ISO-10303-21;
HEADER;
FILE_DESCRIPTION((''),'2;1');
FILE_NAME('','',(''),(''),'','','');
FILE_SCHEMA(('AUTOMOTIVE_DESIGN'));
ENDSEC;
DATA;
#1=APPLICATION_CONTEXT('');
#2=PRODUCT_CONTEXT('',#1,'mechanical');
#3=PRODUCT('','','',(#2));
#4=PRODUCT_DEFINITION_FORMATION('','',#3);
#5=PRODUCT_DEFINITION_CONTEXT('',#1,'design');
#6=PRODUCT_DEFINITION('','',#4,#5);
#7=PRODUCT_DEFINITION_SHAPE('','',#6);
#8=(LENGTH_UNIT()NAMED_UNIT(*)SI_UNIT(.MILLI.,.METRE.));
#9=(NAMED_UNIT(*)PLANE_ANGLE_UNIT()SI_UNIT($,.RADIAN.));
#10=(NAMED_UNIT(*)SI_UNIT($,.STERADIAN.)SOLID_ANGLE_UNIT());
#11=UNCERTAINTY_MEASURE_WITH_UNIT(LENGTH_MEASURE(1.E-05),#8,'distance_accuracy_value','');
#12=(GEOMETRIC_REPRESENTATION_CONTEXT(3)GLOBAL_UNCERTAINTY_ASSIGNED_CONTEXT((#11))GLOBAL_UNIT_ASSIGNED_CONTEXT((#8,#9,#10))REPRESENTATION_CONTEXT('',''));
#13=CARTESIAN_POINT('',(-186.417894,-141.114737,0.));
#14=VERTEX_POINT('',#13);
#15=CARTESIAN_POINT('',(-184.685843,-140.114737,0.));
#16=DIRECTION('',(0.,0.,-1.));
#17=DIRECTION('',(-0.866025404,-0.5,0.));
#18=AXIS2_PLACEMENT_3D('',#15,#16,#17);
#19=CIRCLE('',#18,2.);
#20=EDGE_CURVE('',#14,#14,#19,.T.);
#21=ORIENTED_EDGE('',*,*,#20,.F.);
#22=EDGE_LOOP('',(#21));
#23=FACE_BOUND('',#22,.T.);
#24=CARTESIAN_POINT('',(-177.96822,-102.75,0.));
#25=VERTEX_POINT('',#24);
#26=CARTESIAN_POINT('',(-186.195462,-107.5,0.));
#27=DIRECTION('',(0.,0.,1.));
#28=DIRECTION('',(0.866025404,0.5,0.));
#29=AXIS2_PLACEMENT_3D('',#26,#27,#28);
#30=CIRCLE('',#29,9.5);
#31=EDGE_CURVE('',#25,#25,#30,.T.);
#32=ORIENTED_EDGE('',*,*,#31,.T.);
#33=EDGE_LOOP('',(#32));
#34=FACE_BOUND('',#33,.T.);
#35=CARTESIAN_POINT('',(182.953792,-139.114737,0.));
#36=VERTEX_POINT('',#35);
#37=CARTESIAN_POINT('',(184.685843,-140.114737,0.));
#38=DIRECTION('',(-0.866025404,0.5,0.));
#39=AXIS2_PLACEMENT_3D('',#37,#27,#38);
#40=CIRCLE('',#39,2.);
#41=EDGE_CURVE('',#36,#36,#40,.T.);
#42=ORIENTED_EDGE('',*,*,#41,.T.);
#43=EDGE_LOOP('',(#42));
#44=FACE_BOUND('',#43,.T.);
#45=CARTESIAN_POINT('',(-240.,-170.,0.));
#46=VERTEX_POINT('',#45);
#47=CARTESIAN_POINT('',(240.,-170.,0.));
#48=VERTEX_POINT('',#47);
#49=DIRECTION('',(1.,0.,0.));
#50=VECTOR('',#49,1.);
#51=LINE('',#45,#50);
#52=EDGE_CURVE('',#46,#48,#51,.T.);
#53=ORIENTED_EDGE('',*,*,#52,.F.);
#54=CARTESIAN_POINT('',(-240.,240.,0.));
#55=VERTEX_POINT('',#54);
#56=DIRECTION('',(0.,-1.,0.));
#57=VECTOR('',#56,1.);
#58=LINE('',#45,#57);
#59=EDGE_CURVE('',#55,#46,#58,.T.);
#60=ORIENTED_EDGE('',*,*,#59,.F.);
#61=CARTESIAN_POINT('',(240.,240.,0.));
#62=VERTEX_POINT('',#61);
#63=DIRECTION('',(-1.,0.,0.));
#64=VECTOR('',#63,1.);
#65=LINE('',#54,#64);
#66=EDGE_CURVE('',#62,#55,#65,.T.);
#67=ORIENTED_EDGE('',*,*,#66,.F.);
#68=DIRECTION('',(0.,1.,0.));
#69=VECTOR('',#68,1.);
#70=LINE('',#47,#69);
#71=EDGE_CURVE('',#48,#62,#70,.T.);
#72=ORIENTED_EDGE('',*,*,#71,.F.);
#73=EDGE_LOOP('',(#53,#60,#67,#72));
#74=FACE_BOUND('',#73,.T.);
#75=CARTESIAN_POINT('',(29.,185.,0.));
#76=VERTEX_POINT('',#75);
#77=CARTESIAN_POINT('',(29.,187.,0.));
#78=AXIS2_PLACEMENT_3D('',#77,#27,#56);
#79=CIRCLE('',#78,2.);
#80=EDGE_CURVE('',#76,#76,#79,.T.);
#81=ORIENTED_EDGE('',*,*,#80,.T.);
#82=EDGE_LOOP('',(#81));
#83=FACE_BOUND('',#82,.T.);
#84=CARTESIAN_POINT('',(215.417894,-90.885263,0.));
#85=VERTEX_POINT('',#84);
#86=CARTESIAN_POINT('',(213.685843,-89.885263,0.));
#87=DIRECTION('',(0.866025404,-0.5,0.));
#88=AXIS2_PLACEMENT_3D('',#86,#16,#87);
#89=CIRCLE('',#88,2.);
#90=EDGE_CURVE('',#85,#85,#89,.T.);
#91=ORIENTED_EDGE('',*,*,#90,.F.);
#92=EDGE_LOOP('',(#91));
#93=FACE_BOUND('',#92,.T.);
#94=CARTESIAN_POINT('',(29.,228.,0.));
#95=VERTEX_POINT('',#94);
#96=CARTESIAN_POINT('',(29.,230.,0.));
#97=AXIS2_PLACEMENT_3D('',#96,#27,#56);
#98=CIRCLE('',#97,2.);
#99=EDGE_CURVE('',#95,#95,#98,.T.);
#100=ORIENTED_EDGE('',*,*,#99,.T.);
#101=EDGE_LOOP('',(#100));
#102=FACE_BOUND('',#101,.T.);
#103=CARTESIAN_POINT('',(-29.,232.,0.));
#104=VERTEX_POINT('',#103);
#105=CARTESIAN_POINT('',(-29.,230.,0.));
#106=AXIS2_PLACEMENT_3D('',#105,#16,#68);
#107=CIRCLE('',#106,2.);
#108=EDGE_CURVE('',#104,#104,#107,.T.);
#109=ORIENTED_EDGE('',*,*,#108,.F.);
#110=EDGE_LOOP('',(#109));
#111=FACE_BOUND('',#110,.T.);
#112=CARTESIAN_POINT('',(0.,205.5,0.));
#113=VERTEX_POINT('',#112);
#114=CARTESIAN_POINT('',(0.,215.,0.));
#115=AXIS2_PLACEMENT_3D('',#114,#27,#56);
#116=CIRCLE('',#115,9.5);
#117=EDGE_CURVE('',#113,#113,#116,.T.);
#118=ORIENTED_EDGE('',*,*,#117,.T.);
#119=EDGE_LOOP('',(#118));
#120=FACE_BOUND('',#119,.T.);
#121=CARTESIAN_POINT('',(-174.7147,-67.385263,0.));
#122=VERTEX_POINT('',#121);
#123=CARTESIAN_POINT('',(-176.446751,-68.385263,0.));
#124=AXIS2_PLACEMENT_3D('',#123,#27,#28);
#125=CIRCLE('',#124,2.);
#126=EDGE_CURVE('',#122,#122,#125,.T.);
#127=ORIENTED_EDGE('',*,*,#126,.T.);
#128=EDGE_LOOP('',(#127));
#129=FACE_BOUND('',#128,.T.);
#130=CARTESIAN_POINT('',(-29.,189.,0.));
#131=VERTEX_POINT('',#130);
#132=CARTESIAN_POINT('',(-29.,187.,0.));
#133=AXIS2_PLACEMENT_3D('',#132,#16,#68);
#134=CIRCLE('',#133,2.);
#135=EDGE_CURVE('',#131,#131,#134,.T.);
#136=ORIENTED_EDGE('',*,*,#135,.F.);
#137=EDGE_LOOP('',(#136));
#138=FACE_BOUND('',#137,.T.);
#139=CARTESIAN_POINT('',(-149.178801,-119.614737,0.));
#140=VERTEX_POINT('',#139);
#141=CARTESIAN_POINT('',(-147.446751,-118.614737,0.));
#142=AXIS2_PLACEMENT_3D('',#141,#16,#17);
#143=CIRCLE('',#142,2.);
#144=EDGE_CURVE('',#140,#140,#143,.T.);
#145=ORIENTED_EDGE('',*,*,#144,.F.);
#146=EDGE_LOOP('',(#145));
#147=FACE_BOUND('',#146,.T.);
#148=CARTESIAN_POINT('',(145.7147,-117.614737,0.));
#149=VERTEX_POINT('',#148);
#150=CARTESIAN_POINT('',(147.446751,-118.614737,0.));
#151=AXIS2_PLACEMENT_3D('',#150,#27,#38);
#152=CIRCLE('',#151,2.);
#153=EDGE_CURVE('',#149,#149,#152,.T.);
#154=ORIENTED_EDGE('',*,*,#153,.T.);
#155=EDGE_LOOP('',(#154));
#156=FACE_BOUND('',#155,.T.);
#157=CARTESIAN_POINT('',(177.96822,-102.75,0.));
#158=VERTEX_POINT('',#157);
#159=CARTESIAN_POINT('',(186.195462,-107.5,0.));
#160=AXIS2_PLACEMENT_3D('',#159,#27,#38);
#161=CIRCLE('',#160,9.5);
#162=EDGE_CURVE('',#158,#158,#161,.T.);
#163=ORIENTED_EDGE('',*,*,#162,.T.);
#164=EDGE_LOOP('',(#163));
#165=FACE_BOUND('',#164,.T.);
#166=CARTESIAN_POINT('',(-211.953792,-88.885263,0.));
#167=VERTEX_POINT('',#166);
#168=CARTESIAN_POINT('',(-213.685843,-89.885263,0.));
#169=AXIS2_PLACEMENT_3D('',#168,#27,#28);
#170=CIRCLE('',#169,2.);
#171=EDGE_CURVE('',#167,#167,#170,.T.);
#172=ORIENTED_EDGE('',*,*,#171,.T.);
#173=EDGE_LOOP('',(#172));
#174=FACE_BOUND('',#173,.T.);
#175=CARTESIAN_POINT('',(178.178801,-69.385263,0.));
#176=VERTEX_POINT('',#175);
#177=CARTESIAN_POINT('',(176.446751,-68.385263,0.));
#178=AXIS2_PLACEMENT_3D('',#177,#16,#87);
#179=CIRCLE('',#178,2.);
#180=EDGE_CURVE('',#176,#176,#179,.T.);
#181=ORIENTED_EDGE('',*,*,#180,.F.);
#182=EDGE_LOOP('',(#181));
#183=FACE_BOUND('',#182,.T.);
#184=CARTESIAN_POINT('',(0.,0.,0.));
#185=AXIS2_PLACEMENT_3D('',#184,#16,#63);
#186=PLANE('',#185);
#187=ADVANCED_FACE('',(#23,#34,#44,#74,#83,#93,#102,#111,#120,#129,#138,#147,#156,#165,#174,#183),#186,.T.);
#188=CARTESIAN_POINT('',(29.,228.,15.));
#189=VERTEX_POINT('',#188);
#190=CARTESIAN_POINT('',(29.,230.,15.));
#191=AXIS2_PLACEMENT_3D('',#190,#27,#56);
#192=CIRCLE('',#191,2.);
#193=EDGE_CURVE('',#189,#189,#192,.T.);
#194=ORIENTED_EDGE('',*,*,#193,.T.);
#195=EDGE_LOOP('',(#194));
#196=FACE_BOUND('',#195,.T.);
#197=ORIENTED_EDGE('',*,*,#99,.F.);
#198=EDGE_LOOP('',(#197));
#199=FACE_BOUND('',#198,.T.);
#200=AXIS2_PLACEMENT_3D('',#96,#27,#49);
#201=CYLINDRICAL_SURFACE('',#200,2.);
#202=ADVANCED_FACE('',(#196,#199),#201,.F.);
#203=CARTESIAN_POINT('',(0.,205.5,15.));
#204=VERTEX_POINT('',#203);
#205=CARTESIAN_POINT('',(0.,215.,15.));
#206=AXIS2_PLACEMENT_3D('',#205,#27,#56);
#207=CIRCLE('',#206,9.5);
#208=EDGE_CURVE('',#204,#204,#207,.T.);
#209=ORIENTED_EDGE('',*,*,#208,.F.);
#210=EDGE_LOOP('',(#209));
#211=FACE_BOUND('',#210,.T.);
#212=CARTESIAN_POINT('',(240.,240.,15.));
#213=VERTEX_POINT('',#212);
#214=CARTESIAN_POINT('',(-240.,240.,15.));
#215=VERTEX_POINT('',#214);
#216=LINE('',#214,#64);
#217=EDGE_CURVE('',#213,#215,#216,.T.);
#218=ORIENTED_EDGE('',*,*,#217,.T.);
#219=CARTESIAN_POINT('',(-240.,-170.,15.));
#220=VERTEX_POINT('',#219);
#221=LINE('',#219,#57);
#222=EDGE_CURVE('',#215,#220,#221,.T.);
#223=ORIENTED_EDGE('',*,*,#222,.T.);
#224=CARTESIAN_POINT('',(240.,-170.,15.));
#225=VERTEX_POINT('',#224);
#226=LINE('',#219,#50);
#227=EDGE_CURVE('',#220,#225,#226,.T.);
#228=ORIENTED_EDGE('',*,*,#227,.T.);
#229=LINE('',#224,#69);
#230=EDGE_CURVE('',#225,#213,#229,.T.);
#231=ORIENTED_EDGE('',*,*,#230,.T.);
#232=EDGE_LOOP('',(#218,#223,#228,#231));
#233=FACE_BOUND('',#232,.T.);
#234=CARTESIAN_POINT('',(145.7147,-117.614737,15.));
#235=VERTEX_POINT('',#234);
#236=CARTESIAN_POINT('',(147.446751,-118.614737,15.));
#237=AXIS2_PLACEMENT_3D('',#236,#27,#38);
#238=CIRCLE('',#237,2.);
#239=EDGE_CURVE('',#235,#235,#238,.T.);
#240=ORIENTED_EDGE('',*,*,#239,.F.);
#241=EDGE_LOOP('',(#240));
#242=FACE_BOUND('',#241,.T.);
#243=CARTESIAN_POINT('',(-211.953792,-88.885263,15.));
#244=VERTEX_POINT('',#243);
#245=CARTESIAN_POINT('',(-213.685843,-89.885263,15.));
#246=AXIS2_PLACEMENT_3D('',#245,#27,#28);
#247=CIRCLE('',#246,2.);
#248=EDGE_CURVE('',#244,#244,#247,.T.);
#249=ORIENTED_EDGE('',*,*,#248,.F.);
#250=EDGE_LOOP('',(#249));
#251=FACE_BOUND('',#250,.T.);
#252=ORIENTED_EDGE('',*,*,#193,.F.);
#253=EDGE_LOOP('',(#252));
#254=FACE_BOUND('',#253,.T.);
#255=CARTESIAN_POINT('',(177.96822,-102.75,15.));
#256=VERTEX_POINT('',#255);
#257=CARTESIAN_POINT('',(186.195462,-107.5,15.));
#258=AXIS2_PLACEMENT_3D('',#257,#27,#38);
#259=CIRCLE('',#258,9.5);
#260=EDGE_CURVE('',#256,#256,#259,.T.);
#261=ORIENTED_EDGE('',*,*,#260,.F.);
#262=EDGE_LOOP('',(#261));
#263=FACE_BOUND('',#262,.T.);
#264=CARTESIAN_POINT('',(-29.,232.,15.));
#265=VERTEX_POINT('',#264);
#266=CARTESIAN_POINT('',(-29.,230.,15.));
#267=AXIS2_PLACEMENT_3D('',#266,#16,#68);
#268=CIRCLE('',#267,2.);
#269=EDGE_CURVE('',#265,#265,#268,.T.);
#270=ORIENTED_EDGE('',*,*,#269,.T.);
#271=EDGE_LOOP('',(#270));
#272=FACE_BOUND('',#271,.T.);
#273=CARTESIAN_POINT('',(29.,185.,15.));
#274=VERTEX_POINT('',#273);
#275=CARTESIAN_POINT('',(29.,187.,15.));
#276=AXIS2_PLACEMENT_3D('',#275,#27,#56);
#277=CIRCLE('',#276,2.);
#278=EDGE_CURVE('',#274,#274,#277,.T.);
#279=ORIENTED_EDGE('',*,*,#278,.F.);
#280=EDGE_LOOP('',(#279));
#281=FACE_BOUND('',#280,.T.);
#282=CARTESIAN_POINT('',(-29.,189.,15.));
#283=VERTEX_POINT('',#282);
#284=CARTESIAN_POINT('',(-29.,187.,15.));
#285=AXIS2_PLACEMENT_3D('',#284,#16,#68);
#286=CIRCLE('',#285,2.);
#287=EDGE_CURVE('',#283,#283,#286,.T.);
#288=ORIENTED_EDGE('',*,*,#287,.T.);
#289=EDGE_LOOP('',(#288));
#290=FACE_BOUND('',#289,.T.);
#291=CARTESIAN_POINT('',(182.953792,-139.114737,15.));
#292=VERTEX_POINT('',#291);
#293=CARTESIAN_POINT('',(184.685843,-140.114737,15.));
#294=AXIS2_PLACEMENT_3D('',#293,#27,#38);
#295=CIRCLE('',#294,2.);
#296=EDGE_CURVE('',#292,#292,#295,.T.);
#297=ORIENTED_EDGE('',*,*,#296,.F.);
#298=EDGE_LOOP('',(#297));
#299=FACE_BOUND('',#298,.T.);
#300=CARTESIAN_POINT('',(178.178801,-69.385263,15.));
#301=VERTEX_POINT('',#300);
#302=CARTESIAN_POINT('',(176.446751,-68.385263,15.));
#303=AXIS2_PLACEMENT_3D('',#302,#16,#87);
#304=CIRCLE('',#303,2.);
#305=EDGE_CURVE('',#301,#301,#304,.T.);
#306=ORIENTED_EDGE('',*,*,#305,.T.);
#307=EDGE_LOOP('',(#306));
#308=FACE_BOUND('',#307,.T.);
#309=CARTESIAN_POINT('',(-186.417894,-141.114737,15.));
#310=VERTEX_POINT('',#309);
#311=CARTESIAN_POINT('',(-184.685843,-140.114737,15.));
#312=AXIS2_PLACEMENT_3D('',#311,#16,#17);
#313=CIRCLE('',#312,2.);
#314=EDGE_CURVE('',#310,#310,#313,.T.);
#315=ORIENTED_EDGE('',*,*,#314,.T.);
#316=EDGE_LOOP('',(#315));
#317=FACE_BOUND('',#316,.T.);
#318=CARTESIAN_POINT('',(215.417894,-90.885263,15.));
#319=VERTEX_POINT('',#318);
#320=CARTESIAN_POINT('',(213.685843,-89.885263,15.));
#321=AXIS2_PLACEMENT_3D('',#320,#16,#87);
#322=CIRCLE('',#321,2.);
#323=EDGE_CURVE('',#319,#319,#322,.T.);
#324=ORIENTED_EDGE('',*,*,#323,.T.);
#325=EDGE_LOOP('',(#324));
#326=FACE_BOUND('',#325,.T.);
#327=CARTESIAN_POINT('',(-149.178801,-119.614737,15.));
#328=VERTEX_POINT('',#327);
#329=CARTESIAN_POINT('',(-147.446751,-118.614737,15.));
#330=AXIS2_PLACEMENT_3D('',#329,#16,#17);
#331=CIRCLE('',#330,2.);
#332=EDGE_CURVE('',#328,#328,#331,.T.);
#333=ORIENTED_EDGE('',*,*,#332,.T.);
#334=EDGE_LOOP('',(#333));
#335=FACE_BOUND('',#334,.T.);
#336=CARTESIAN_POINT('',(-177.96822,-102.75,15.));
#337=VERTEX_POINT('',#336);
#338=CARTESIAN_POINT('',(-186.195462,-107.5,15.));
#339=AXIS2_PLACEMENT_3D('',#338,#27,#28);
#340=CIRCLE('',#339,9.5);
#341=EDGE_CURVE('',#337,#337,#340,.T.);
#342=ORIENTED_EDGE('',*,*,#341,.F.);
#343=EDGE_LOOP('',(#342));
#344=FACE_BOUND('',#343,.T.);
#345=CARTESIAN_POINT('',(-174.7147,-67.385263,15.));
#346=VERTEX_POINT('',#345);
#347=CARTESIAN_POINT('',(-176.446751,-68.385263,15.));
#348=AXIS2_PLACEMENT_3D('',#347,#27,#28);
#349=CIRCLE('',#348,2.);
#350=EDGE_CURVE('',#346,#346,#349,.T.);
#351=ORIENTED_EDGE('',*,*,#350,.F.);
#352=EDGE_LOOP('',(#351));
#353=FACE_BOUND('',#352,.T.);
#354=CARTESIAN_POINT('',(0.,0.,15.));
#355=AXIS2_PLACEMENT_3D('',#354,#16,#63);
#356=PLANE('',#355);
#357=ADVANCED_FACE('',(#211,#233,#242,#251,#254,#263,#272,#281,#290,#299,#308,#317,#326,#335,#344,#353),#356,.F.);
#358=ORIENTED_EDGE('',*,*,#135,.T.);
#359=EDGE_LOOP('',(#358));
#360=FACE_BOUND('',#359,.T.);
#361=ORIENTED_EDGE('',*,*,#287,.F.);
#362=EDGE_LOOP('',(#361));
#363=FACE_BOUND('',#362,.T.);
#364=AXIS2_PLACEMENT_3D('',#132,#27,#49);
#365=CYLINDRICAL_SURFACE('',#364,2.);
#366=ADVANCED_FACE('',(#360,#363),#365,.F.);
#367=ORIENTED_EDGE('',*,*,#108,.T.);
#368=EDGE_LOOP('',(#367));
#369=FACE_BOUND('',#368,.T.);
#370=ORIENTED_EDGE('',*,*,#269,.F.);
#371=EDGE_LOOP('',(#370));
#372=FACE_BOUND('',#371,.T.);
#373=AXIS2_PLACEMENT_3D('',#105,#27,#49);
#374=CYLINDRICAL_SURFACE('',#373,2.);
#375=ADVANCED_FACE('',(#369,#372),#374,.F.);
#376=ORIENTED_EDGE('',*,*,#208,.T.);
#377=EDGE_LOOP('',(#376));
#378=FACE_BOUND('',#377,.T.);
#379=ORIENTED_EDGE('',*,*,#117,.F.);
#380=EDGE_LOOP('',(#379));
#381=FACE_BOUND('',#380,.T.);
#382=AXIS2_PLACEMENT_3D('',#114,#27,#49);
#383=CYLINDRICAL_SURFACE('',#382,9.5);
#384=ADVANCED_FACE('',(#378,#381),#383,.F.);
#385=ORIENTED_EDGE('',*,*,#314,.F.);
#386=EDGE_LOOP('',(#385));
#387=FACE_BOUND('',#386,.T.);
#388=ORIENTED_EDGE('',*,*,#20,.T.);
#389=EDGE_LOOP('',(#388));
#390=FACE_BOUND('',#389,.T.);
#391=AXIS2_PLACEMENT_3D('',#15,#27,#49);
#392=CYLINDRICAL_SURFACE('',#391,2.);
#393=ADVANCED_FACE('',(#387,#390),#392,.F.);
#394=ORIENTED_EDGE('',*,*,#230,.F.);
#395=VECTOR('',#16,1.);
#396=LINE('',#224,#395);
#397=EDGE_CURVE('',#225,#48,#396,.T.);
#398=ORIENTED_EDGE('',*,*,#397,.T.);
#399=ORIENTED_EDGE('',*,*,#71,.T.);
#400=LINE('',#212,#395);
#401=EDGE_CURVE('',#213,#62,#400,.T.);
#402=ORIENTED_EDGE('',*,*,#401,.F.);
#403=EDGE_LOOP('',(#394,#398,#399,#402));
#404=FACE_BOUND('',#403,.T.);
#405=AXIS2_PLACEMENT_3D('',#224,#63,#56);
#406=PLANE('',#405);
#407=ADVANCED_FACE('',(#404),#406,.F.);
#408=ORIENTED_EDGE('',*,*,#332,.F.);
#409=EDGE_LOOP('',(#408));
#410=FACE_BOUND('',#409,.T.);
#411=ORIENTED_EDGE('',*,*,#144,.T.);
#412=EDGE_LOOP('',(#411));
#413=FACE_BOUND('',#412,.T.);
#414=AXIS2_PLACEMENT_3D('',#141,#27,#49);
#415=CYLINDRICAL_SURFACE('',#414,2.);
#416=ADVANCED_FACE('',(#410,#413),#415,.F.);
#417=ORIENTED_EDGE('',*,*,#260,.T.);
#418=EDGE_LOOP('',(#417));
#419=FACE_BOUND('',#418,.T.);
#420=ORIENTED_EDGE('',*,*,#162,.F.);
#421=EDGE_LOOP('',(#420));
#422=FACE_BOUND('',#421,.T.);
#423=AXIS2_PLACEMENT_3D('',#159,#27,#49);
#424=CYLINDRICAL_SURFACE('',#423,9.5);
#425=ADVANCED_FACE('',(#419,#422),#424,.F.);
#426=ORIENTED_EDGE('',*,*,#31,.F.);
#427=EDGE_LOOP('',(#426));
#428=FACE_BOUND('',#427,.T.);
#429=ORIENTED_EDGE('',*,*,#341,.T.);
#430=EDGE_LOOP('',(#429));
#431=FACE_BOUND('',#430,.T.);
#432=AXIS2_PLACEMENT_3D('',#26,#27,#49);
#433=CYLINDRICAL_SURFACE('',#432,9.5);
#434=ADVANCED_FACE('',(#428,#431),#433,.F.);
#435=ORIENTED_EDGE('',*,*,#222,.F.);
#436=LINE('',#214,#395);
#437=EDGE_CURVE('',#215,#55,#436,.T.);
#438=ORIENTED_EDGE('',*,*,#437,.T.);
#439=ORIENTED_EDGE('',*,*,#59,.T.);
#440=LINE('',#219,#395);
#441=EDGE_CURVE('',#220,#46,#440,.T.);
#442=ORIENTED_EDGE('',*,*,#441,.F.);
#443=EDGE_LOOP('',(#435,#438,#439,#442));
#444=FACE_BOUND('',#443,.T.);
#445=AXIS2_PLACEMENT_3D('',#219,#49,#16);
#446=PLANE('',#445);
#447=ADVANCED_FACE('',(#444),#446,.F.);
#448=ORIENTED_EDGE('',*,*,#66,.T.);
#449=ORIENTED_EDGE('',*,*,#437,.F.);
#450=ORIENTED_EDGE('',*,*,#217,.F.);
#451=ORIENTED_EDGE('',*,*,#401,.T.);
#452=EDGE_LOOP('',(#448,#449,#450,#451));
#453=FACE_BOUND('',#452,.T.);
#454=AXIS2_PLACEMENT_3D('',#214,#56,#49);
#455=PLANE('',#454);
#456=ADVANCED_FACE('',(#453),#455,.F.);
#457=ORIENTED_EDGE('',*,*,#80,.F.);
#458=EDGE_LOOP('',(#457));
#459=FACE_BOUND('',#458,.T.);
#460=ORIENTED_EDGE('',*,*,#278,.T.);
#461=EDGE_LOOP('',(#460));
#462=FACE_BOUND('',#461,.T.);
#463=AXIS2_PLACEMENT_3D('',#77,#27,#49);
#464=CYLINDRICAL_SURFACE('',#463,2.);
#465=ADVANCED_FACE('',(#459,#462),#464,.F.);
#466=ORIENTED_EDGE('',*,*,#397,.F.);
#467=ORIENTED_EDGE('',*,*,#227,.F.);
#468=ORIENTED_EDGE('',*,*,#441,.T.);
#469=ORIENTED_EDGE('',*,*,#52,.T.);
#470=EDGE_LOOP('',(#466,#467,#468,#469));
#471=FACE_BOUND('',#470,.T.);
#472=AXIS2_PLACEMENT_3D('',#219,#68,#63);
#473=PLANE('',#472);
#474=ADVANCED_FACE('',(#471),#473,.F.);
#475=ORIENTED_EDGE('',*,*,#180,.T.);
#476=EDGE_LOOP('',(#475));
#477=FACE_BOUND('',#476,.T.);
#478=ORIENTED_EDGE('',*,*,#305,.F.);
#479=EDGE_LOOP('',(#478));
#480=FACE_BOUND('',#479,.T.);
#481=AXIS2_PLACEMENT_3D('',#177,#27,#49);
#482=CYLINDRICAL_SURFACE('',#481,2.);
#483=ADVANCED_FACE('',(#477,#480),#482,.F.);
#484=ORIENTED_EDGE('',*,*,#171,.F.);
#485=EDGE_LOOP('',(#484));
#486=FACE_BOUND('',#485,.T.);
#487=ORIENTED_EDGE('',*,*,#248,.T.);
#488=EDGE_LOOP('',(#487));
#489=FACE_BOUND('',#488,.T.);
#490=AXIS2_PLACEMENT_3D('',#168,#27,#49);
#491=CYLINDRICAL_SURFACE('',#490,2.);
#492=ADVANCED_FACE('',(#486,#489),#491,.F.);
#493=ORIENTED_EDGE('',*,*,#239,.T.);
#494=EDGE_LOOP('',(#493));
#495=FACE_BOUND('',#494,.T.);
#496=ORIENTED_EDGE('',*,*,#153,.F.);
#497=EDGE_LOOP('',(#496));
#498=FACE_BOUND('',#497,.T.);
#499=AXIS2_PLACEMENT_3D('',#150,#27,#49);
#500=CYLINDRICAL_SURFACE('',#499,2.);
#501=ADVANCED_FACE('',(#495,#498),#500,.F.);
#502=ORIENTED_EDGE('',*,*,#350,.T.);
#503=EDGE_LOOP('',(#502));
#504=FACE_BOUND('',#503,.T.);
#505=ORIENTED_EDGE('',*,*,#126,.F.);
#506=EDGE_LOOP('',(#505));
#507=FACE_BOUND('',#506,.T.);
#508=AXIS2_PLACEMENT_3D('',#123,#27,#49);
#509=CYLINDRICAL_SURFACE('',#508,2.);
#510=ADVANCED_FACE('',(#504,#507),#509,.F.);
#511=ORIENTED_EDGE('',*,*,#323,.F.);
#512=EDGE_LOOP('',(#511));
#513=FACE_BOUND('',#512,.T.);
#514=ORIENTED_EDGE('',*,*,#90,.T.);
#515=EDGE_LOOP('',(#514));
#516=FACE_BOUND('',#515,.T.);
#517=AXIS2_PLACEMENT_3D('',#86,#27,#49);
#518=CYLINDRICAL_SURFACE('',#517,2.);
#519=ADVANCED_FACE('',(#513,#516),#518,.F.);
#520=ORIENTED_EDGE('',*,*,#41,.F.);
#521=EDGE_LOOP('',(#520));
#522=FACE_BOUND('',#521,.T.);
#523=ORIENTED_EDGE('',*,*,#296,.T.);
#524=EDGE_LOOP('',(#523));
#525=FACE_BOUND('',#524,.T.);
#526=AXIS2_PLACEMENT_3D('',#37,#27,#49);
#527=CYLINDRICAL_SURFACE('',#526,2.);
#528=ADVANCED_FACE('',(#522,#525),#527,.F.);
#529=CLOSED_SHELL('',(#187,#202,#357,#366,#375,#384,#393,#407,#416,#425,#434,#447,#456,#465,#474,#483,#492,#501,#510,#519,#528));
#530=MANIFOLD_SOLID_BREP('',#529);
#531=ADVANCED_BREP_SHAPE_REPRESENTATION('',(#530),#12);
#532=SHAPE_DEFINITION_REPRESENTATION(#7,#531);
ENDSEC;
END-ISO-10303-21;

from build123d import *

# Parameters (mm, degrees)
SKETCH1_W           = 480
SKETCH1_H           = 410
BOSS_EXTRUDE1_DEPTH = 15
SKETCH6_R           = 2
SKETCH6_R_2         = 9.5
CUT_EXTRUDE1_DEPTH  = 340.742549587
CIRPATTERN1_COUNT   = 3
CIRPATTERN1_ANGLE   = 180
CIRPATTERN2_COUNT   = 6
CIRPATTERN2_ANGLE   = 150
SKETCH8_W           = 471.000952056
SKETCH8_H           = 87.60062656
BOSS_EXTRUDE2_DEPTH = 15


with BuildPart() as part:
    # Sketch1 → Boss-Extrude1 (new body)
    with BuildSketch(Plane.XY):
        with Locations((0, 35)):
            Rectangle(SKETCH1_W, SKETCH1_H)
    extrude(amount=BOSS_EXTRUDE1_DEPTH)

    # Sketch6 → Cut-Extrude1 (cut, through all)
    with BuildSketch(Plane.XY.offset(15)):
        with Locations((-230, 29)):
            Circle(SKETCH6_R)
        with Locations((-187, 29)):
            Circle(SKETCH6_R)
        with Locations(Location((-230, -29, 0), (0, 0, 180))):
            Circle(SKETCH6_R)
        with Locations(Location((-187, -29, 0), (0, 0, 180))):
            Circle(SKETCH6_R)
        with Locations((-215, 0)):
            Circle(SKETCH6_R_2)
    cut_extrude1 = extrude(amount=-CUT_EXTRUDE1_DEPTH, mode=Mode.SUBTRACT)

    # CirPattern1: Cut-Extrude1 ×3 about axis
    cirpattern1_axis = Axis((0, 0, 0), (0, 0, -1))
    for i in range(1, CIRPATTERN1_COUNT):
        add(cut_extrude1.rotate(cirpattern1_axis, i * CIRPATTERN1_ANGLE / (CIRPATTERN1_COUNT - 1)), mode=Mode.SUBTRACT)

    # CirPattern2: Cut-Extrude1 ×6 about axis, 3 skipped
    cirpattern2_axis = Axis((0, 0, 0), (0, 0, 1))
    add([cut_extrude1.rotate(cirpattern2_axis, i * CIRPATTERN2_ANGLE / (CIRPATTERN2_COUNT - 1)) for i in range(1, CIRPATTERN2_COUNT) if i not in (2, 3, 4)], mode=Mode.SUBTRACT)

    # Sketch8 → Boss-Extrude2 (add)
    with BuildSketch(Plane(origin=(0, 0, 0), x_dir=(-1, 0, 0), z_dir=(0, 0, -1))):
        Rectangle(SKETCH8_W, SKETCH8_H)
    extrude(amount=-BOSS_EXTRUDE2_DEPTH)


solid = part.part
